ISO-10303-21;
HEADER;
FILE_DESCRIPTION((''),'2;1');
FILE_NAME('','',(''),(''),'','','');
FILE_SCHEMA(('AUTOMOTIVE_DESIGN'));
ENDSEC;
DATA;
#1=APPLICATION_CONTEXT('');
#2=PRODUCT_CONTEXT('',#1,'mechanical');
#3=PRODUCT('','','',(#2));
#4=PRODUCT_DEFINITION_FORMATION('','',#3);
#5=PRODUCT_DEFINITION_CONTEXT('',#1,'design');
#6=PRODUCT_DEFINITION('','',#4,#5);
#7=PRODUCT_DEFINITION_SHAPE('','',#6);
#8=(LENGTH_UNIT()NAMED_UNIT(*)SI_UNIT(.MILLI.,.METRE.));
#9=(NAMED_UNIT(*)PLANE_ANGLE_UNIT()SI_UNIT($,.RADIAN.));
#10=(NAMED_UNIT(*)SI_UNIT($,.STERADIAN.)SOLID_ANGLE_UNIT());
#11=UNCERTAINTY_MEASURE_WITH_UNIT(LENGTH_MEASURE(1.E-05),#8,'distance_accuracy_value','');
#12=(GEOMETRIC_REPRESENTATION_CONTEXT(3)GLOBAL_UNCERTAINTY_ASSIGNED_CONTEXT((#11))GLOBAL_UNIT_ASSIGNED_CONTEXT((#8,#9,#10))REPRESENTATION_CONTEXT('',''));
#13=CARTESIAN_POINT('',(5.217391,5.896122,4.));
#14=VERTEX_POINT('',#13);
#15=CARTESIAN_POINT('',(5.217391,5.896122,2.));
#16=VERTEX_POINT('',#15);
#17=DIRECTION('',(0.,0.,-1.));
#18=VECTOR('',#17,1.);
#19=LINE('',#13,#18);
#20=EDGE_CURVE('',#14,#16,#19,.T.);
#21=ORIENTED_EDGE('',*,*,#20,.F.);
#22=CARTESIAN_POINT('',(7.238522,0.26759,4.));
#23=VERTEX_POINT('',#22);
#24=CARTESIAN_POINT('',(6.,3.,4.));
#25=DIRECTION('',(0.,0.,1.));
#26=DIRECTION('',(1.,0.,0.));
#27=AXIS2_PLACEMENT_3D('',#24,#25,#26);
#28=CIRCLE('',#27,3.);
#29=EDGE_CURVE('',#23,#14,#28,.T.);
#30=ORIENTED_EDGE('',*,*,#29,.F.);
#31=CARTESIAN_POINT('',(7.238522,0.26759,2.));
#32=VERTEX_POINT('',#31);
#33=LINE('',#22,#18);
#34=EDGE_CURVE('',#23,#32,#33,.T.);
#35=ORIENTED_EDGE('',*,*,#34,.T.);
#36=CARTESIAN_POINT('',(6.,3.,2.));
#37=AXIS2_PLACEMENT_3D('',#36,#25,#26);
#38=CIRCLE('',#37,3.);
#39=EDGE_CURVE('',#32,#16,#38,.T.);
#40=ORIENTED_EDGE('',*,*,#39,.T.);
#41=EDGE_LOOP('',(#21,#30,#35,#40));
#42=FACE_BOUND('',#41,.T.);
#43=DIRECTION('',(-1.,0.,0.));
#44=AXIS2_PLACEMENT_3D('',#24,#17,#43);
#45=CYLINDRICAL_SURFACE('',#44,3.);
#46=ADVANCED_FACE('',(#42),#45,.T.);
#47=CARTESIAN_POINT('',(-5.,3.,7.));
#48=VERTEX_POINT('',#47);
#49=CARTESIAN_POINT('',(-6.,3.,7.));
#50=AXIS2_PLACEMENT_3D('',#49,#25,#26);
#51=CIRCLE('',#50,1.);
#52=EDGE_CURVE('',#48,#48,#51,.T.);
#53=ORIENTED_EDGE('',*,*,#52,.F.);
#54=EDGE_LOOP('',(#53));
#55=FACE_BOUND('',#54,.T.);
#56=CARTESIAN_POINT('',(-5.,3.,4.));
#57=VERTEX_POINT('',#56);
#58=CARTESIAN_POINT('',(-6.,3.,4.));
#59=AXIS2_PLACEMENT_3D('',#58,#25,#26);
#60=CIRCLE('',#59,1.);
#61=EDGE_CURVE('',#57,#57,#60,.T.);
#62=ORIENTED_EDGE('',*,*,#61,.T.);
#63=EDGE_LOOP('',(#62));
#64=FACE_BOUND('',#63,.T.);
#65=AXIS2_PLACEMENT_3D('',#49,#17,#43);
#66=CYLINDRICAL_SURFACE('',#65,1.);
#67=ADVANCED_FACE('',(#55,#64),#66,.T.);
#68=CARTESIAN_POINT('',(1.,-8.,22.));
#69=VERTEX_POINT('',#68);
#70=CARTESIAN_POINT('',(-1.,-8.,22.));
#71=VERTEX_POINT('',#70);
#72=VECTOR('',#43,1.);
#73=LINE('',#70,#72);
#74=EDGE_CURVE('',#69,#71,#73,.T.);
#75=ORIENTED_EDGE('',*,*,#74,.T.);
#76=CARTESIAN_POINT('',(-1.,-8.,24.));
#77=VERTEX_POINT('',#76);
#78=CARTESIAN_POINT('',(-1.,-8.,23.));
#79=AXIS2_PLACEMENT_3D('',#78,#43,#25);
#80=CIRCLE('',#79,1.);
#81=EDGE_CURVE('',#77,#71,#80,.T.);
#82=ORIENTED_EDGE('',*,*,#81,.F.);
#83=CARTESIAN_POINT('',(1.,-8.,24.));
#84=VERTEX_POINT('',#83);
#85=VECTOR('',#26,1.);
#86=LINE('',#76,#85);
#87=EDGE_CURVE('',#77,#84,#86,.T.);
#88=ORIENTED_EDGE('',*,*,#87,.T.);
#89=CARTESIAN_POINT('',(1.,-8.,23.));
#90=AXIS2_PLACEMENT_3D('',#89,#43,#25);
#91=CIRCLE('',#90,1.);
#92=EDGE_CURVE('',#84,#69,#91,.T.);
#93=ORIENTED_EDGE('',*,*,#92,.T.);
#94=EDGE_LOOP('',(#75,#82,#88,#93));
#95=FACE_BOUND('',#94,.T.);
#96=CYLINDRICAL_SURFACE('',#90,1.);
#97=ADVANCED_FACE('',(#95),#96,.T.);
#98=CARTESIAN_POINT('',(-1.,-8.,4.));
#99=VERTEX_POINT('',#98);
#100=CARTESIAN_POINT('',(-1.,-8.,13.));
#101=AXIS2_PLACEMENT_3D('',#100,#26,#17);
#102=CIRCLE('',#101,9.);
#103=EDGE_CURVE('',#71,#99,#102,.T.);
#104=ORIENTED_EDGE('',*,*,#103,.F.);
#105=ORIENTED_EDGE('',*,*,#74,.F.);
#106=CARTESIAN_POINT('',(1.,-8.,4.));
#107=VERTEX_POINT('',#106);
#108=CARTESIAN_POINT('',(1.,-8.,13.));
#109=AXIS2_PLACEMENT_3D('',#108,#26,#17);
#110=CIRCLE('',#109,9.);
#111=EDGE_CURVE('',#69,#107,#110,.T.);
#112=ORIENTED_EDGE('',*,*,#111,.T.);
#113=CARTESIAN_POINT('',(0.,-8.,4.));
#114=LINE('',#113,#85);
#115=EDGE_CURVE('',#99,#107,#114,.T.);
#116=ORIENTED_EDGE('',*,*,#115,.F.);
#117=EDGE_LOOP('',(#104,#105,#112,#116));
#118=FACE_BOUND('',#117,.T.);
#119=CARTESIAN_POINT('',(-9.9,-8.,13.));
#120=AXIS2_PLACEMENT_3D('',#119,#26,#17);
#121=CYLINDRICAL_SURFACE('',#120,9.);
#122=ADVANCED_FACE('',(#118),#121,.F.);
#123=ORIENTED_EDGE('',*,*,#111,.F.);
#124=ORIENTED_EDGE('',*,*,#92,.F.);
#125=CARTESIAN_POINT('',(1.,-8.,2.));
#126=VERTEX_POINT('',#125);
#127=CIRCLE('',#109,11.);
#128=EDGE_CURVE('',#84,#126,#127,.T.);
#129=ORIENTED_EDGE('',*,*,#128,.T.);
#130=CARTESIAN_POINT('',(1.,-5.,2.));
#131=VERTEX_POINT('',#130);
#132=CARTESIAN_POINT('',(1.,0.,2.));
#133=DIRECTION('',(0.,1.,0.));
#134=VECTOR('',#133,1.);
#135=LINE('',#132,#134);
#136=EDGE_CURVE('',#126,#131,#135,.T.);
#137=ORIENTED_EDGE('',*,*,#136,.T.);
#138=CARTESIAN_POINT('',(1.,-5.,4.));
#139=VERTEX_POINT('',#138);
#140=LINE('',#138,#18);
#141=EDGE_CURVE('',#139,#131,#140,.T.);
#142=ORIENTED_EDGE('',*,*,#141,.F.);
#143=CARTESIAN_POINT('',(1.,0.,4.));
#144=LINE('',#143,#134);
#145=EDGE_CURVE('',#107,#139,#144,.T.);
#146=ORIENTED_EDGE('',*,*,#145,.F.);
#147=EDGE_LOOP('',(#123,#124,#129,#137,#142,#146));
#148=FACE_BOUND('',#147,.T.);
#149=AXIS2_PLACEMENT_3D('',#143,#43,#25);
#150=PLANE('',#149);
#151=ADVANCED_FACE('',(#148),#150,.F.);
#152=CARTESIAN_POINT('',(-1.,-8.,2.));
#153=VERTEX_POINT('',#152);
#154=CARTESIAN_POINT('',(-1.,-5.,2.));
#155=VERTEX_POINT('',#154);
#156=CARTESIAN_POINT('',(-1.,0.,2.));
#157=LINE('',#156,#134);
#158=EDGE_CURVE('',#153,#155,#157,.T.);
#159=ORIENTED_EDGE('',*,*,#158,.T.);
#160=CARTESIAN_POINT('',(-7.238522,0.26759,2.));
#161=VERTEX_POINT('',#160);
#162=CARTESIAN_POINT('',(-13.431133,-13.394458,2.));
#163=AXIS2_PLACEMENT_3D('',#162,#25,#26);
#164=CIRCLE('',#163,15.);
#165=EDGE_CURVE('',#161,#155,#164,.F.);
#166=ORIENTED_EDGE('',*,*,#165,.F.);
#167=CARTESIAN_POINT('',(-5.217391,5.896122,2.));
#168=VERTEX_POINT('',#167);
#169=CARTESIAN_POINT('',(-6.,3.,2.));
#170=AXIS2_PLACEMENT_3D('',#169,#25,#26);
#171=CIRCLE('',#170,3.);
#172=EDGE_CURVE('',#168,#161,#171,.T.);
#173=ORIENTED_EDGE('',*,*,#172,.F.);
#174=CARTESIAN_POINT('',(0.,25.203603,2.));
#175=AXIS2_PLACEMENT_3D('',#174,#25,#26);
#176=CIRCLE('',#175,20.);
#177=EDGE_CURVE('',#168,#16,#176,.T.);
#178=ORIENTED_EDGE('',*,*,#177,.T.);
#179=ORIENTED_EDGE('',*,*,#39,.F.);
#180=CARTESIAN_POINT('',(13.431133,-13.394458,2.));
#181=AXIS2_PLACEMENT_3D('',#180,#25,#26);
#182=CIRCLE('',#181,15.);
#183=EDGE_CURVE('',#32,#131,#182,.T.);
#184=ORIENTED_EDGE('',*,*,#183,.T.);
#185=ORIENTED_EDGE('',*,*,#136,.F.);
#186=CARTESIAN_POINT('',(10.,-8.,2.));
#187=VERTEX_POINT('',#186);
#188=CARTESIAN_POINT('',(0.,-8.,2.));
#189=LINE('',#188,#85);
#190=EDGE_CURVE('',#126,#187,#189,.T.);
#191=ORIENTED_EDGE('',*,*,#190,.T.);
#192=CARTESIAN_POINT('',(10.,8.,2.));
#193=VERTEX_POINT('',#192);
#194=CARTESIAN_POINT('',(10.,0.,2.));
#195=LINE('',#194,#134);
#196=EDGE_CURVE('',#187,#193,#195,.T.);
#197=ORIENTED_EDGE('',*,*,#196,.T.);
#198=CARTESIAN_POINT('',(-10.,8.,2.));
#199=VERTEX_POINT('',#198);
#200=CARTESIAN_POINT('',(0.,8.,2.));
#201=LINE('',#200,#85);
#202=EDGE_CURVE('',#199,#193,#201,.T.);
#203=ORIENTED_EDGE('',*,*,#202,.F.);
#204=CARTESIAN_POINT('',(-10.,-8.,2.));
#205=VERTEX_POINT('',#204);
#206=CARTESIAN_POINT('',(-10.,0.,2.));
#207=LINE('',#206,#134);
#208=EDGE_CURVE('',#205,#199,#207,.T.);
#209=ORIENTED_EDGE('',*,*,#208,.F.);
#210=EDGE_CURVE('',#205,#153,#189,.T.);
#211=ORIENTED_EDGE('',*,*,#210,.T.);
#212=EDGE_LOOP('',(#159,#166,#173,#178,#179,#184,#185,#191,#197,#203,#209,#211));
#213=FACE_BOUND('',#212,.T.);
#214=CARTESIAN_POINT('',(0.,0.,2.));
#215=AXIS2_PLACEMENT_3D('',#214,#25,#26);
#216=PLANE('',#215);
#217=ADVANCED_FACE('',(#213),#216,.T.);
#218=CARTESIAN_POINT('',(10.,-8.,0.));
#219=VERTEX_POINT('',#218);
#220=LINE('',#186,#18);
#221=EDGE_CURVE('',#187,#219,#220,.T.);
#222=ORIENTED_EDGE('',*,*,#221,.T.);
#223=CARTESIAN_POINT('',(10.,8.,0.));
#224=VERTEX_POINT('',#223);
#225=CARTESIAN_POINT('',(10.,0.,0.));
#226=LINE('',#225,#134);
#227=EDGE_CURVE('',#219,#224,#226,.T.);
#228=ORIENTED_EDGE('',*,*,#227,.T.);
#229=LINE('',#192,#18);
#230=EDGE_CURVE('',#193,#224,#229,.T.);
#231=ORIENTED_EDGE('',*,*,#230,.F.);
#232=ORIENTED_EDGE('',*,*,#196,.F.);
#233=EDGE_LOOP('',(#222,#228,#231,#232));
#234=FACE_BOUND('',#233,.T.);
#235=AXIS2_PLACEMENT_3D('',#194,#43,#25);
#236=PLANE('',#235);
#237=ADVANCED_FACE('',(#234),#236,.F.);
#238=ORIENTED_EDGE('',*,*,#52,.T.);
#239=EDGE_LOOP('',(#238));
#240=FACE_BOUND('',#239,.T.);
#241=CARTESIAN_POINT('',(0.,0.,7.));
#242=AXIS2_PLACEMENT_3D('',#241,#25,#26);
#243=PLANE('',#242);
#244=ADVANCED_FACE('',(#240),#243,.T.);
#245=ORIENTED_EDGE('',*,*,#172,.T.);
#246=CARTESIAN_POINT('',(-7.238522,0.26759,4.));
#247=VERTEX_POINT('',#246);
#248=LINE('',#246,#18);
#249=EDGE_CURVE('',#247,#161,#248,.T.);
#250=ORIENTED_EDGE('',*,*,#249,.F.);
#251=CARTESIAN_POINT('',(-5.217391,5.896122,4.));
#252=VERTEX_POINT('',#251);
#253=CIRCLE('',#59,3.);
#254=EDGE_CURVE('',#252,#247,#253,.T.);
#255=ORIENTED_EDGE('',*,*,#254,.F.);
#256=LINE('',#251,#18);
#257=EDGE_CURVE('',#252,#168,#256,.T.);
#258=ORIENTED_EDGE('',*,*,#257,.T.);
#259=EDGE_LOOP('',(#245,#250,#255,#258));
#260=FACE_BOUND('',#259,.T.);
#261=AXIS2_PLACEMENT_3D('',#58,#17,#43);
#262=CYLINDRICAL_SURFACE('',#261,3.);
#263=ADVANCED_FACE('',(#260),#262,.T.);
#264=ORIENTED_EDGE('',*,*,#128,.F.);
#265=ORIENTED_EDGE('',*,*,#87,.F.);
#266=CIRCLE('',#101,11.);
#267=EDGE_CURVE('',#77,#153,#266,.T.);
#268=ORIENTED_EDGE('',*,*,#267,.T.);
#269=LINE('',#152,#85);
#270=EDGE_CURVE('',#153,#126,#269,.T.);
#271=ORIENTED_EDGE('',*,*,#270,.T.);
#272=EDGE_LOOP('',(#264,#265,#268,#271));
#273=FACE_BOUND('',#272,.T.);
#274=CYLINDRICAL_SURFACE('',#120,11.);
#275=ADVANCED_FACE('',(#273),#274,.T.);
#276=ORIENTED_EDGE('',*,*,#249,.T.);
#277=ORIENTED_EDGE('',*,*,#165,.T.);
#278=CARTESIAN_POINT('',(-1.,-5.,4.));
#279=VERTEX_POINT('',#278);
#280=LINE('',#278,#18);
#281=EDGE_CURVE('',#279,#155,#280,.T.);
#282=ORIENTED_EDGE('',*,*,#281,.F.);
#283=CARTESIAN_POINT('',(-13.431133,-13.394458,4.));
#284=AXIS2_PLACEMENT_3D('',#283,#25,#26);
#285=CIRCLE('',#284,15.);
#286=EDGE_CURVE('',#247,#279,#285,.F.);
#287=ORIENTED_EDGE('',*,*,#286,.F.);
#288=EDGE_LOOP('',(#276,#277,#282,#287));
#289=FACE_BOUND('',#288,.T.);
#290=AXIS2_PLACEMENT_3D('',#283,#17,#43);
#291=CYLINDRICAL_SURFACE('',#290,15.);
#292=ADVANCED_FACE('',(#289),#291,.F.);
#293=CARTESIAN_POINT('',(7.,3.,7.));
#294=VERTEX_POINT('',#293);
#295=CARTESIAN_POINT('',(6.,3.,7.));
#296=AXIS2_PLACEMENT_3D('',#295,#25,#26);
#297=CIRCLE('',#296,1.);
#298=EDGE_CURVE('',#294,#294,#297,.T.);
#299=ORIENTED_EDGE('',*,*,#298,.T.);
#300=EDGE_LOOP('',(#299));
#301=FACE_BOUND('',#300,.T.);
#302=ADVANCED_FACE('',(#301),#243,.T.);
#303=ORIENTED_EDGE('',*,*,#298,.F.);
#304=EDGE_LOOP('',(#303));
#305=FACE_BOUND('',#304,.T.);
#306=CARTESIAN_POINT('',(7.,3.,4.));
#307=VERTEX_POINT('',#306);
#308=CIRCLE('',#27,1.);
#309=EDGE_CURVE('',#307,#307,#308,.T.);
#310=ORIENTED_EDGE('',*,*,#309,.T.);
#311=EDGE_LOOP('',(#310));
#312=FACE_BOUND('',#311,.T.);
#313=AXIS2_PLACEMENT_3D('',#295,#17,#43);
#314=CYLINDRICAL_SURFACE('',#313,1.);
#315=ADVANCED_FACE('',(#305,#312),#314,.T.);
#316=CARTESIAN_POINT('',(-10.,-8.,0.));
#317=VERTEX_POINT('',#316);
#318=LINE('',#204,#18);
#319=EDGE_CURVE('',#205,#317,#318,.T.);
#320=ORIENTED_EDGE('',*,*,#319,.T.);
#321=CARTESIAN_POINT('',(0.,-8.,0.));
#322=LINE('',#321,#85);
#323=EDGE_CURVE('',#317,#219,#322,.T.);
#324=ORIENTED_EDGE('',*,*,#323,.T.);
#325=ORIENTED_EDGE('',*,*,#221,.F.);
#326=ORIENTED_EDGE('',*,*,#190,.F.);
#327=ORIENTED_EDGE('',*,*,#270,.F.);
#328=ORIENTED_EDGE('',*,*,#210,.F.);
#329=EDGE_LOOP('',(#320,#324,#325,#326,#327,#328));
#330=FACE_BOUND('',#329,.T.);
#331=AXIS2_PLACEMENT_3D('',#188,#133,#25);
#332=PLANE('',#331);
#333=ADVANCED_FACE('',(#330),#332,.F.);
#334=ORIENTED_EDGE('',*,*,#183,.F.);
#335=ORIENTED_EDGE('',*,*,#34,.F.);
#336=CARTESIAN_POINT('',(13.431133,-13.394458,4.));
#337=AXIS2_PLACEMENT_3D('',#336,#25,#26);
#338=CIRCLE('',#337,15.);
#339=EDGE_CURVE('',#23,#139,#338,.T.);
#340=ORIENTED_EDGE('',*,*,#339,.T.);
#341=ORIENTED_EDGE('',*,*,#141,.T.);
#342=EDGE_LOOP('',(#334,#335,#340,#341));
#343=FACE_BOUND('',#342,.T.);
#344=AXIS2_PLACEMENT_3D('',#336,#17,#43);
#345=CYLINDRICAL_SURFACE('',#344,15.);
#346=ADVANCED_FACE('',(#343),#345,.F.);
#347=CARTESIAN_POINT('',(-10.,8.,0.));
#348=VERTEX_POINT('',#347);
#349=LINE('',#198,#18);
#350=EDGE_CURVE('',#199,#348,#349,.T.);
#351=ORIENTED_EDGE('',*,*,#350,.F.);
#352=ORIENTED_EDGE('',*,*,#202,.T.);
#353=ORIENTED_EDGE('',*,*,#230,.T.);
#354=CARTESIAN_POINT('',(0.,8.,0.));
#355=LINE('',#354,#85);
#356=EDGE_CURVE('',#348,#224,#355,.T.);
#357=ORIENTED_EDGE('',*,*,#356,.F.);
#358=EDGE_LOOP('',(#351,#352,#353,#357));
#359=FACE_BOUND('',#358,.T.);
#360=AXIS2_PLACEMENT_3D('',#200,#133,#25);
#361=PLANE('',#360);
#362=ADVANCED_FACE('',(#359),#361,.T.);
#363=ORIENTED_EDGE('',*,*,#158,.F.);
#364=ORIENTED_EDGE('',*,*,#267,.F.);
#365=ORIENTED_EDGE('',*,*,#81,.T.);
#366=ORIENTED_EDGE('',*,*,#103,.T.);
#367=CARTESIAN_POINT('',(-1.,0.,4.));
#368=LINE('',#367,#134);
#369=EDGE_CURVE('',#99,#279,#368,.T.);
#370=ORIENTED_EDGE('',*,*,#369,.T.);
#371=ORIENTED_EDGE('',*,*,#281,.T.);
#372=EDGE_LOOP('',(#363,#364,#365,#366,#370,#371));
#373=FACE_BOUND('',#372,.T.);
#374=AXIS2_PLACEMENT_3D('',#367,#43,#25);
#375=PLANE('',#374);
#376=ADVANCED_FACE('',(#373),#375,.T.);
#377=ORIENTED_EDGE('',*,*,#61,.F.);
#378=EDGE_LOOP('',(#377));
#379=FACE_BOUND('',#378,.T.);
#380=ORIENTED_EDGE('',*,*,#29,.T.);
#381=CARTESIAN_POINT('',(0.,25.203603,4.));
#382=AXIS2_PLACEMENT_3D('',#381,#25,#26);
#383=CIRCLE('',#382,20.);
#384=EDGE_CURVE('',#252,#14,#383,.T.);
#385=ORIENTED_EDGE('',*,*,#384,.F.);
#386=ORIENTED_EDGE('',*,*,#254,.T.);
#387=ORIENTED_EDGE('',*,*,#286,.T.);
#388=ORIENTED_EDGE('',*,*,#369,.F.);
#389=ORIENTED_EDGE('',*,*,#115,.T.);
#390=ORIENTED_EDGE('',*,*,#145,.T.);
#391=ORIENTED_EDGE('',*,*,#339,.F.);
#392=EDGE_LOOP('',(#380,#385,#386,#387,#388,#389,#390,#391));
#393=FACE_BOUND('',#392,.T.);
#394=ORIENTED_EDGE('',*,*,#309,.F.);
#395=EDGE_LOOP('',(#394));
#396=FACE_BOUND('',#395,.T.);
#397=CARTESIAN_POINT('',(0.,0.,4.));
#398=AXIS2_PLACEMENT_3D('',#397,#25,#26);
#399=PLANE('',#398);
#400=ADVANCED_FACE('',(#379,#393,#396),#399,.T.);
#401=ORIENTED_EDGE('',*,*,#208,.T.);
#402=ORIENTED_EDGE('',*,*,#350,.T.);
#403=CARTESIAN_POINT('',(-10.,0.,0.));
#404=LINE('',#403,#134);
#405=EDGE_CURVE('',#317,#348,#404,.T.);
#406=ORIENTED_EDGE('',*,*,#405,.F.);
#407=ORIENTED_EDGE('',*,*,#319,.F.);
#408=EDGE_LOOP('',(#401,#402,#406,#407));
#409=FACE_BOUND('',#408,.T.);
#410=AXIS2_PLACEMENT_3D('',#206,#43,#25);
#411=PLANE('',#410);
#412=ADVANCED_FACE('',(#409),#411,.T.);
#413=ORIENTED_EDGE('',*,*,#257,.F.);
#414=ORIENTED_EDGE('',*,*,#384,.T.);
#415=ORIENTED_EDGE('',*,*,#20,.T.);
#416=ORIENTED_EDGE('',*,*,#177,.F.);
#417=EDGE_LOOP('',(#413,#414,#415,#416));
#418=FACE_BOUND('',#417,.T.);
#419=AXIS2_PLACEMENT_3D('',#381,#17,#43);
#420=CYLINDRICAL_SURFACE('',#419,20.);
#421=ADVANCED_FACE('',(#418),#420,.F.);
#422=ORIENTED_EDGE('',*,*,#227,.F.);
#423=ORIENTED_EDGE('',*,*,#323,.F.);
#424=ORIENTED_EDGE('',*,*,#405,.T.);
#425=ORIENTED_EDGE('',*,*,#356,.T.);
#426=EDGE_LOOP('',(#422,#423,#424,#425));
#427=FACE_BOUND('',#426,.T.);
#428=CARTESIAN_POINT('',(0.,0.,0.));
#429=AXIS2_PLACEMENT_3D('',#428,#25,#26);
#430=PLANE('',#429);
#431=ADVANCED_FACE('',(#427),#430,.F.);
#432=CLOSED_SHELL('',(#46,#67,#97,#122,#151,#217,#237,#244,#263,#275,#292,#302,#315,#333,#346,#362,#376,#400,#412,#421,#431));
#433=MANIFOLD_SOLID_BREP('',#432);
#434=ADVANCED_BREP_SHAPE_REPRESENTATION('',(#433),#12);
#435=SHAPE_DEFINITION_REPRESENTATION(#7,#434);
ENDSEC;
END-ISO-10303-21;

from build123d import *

# Parameters (mm, degrees)
BOSS_EXTRUDE2_DEPTH = 2
SKETCH1_5_R         = 1
BOSS_EXTRUDE3_DEPTH = 4
SKETCH1_6_R         = 1
BOSS_EXTRUDE4_DEPTH = 7
SKETCH2_W           = 2
SKETCH2_H           = 2
REVOLVE1_ANGLE      = 180
SKETCH3_R           = 1
BOSS_EXTRUDE5_DEPTH = 2


with BuildPart() as part:
    # Sketch1 → Boss-Extrude2 (new body)
    with BuildSketch(Plane.XY):
        with BuildLine():
            Line((-10, 8), (-10, -8))
            Line((-10, -8), (-1, -8))
            Line((-1, -8), (-1, -5))
            ThreePointArc((-1, -5), (-3.753951843, -1.933561128), (-7.238522191, 0.267590297))
            ThreePointArc((-7.238522191, 0.267590297), (-8.82348314, 4.013875218), (-5.217391304, 5.896122171))
            ThreePointArc((-5.217391304, 5.896122171), (0, 5.203603311), (5.217391304, 5.896122171))
            ThreePointArc((5.217391304, 5.896122171), (8.82348314, 4.013875218), (7.238522191, 0.267590297))
            ThreePointArc((7.238522191, 0.267590297), (3.753951843, -1.933561128), (1, -5))
            Line((1, -5), (1, -8))
            Line((1, -8), (10, -8))
            Line((10, -8), (10, 8))
            Line((10, 8), (-10, 8))
        make_face()
    extrude(amount=BOSS_EXTRUDE2_DEPTH)

    # Sketch1<5> → Boss-Extrude3 (add)
    with BuildSketch(Plane.XY):
        with BuildLine():
            Line((-1, -5), (-1, -8))
            Line((-1, -8), (1, -8))
            Line((1, -8), (1, -5))
            ThreePointArc((1, -5), (3.753951843, -1.933561128), (7.238522191, 0.267590297))
            ThreePointArc((7.238522191, 0.267590297), (8.82348314, 4.013875218), (5.217391304, 5.896122171))
            ThreePointArc((5.217391304, 5.896122171), (0, 5.203603311), (-5.217391304, 5.896122171))
            ThreePointArc((-5.217391304, 5.896122171), (-8.82348314, 4.013875218), (-7.238522191, 0.267590297))
            ThreePointArc((-7.238522191, 0.267590297), (-3.753951843, -1.933561128), (-1, -5))
        make_face()
        with Locations((-6, 3)):
            Circle(SKETCH1_5_R, mode=Mode.SUBTRACT)
        with Locations((6, 3)):
            Circle(SKETCH1_5_R, mode=Mode.SUBTRACT)
    extrude(amount=BOSS_EXTRUDE3_DEPTH)

    # Sketch1<6> → Boss-Extrude4 (add)
    with BuildSketch(Plane.XY):
        with Locations((-6, 3)):
            Circle(SKETCH1_6_R)
        with Locations((6, 3)):
            Circle(SKETCH1_6_R)
    extrude(amount=BOSS_EXTRUDE4_DEPTH)

    # Sketch2 → Revolve1 (revolve)
    with BuildSketch(Plane.XZ.offset(8)):
        with Locations((0, 3)):
            Rectangle(SKETCH2_W, SKETCH2_H)
    revolve(axis=Axis((-9.9, -8, 13), (-1, 0, 0)), revolution_arc=REVOLVE1_ANGLE)

    # Sketch3 → Boss-Extrude5 (add)
    with BuildSketch(Plane.ZY.offset(1)):
        with Locations((23, -8)):
            Circle(SKETCH3_R)
    extrude(amount=-BOSS_EXTRUDE5_DEPTH)


solid = part.part
